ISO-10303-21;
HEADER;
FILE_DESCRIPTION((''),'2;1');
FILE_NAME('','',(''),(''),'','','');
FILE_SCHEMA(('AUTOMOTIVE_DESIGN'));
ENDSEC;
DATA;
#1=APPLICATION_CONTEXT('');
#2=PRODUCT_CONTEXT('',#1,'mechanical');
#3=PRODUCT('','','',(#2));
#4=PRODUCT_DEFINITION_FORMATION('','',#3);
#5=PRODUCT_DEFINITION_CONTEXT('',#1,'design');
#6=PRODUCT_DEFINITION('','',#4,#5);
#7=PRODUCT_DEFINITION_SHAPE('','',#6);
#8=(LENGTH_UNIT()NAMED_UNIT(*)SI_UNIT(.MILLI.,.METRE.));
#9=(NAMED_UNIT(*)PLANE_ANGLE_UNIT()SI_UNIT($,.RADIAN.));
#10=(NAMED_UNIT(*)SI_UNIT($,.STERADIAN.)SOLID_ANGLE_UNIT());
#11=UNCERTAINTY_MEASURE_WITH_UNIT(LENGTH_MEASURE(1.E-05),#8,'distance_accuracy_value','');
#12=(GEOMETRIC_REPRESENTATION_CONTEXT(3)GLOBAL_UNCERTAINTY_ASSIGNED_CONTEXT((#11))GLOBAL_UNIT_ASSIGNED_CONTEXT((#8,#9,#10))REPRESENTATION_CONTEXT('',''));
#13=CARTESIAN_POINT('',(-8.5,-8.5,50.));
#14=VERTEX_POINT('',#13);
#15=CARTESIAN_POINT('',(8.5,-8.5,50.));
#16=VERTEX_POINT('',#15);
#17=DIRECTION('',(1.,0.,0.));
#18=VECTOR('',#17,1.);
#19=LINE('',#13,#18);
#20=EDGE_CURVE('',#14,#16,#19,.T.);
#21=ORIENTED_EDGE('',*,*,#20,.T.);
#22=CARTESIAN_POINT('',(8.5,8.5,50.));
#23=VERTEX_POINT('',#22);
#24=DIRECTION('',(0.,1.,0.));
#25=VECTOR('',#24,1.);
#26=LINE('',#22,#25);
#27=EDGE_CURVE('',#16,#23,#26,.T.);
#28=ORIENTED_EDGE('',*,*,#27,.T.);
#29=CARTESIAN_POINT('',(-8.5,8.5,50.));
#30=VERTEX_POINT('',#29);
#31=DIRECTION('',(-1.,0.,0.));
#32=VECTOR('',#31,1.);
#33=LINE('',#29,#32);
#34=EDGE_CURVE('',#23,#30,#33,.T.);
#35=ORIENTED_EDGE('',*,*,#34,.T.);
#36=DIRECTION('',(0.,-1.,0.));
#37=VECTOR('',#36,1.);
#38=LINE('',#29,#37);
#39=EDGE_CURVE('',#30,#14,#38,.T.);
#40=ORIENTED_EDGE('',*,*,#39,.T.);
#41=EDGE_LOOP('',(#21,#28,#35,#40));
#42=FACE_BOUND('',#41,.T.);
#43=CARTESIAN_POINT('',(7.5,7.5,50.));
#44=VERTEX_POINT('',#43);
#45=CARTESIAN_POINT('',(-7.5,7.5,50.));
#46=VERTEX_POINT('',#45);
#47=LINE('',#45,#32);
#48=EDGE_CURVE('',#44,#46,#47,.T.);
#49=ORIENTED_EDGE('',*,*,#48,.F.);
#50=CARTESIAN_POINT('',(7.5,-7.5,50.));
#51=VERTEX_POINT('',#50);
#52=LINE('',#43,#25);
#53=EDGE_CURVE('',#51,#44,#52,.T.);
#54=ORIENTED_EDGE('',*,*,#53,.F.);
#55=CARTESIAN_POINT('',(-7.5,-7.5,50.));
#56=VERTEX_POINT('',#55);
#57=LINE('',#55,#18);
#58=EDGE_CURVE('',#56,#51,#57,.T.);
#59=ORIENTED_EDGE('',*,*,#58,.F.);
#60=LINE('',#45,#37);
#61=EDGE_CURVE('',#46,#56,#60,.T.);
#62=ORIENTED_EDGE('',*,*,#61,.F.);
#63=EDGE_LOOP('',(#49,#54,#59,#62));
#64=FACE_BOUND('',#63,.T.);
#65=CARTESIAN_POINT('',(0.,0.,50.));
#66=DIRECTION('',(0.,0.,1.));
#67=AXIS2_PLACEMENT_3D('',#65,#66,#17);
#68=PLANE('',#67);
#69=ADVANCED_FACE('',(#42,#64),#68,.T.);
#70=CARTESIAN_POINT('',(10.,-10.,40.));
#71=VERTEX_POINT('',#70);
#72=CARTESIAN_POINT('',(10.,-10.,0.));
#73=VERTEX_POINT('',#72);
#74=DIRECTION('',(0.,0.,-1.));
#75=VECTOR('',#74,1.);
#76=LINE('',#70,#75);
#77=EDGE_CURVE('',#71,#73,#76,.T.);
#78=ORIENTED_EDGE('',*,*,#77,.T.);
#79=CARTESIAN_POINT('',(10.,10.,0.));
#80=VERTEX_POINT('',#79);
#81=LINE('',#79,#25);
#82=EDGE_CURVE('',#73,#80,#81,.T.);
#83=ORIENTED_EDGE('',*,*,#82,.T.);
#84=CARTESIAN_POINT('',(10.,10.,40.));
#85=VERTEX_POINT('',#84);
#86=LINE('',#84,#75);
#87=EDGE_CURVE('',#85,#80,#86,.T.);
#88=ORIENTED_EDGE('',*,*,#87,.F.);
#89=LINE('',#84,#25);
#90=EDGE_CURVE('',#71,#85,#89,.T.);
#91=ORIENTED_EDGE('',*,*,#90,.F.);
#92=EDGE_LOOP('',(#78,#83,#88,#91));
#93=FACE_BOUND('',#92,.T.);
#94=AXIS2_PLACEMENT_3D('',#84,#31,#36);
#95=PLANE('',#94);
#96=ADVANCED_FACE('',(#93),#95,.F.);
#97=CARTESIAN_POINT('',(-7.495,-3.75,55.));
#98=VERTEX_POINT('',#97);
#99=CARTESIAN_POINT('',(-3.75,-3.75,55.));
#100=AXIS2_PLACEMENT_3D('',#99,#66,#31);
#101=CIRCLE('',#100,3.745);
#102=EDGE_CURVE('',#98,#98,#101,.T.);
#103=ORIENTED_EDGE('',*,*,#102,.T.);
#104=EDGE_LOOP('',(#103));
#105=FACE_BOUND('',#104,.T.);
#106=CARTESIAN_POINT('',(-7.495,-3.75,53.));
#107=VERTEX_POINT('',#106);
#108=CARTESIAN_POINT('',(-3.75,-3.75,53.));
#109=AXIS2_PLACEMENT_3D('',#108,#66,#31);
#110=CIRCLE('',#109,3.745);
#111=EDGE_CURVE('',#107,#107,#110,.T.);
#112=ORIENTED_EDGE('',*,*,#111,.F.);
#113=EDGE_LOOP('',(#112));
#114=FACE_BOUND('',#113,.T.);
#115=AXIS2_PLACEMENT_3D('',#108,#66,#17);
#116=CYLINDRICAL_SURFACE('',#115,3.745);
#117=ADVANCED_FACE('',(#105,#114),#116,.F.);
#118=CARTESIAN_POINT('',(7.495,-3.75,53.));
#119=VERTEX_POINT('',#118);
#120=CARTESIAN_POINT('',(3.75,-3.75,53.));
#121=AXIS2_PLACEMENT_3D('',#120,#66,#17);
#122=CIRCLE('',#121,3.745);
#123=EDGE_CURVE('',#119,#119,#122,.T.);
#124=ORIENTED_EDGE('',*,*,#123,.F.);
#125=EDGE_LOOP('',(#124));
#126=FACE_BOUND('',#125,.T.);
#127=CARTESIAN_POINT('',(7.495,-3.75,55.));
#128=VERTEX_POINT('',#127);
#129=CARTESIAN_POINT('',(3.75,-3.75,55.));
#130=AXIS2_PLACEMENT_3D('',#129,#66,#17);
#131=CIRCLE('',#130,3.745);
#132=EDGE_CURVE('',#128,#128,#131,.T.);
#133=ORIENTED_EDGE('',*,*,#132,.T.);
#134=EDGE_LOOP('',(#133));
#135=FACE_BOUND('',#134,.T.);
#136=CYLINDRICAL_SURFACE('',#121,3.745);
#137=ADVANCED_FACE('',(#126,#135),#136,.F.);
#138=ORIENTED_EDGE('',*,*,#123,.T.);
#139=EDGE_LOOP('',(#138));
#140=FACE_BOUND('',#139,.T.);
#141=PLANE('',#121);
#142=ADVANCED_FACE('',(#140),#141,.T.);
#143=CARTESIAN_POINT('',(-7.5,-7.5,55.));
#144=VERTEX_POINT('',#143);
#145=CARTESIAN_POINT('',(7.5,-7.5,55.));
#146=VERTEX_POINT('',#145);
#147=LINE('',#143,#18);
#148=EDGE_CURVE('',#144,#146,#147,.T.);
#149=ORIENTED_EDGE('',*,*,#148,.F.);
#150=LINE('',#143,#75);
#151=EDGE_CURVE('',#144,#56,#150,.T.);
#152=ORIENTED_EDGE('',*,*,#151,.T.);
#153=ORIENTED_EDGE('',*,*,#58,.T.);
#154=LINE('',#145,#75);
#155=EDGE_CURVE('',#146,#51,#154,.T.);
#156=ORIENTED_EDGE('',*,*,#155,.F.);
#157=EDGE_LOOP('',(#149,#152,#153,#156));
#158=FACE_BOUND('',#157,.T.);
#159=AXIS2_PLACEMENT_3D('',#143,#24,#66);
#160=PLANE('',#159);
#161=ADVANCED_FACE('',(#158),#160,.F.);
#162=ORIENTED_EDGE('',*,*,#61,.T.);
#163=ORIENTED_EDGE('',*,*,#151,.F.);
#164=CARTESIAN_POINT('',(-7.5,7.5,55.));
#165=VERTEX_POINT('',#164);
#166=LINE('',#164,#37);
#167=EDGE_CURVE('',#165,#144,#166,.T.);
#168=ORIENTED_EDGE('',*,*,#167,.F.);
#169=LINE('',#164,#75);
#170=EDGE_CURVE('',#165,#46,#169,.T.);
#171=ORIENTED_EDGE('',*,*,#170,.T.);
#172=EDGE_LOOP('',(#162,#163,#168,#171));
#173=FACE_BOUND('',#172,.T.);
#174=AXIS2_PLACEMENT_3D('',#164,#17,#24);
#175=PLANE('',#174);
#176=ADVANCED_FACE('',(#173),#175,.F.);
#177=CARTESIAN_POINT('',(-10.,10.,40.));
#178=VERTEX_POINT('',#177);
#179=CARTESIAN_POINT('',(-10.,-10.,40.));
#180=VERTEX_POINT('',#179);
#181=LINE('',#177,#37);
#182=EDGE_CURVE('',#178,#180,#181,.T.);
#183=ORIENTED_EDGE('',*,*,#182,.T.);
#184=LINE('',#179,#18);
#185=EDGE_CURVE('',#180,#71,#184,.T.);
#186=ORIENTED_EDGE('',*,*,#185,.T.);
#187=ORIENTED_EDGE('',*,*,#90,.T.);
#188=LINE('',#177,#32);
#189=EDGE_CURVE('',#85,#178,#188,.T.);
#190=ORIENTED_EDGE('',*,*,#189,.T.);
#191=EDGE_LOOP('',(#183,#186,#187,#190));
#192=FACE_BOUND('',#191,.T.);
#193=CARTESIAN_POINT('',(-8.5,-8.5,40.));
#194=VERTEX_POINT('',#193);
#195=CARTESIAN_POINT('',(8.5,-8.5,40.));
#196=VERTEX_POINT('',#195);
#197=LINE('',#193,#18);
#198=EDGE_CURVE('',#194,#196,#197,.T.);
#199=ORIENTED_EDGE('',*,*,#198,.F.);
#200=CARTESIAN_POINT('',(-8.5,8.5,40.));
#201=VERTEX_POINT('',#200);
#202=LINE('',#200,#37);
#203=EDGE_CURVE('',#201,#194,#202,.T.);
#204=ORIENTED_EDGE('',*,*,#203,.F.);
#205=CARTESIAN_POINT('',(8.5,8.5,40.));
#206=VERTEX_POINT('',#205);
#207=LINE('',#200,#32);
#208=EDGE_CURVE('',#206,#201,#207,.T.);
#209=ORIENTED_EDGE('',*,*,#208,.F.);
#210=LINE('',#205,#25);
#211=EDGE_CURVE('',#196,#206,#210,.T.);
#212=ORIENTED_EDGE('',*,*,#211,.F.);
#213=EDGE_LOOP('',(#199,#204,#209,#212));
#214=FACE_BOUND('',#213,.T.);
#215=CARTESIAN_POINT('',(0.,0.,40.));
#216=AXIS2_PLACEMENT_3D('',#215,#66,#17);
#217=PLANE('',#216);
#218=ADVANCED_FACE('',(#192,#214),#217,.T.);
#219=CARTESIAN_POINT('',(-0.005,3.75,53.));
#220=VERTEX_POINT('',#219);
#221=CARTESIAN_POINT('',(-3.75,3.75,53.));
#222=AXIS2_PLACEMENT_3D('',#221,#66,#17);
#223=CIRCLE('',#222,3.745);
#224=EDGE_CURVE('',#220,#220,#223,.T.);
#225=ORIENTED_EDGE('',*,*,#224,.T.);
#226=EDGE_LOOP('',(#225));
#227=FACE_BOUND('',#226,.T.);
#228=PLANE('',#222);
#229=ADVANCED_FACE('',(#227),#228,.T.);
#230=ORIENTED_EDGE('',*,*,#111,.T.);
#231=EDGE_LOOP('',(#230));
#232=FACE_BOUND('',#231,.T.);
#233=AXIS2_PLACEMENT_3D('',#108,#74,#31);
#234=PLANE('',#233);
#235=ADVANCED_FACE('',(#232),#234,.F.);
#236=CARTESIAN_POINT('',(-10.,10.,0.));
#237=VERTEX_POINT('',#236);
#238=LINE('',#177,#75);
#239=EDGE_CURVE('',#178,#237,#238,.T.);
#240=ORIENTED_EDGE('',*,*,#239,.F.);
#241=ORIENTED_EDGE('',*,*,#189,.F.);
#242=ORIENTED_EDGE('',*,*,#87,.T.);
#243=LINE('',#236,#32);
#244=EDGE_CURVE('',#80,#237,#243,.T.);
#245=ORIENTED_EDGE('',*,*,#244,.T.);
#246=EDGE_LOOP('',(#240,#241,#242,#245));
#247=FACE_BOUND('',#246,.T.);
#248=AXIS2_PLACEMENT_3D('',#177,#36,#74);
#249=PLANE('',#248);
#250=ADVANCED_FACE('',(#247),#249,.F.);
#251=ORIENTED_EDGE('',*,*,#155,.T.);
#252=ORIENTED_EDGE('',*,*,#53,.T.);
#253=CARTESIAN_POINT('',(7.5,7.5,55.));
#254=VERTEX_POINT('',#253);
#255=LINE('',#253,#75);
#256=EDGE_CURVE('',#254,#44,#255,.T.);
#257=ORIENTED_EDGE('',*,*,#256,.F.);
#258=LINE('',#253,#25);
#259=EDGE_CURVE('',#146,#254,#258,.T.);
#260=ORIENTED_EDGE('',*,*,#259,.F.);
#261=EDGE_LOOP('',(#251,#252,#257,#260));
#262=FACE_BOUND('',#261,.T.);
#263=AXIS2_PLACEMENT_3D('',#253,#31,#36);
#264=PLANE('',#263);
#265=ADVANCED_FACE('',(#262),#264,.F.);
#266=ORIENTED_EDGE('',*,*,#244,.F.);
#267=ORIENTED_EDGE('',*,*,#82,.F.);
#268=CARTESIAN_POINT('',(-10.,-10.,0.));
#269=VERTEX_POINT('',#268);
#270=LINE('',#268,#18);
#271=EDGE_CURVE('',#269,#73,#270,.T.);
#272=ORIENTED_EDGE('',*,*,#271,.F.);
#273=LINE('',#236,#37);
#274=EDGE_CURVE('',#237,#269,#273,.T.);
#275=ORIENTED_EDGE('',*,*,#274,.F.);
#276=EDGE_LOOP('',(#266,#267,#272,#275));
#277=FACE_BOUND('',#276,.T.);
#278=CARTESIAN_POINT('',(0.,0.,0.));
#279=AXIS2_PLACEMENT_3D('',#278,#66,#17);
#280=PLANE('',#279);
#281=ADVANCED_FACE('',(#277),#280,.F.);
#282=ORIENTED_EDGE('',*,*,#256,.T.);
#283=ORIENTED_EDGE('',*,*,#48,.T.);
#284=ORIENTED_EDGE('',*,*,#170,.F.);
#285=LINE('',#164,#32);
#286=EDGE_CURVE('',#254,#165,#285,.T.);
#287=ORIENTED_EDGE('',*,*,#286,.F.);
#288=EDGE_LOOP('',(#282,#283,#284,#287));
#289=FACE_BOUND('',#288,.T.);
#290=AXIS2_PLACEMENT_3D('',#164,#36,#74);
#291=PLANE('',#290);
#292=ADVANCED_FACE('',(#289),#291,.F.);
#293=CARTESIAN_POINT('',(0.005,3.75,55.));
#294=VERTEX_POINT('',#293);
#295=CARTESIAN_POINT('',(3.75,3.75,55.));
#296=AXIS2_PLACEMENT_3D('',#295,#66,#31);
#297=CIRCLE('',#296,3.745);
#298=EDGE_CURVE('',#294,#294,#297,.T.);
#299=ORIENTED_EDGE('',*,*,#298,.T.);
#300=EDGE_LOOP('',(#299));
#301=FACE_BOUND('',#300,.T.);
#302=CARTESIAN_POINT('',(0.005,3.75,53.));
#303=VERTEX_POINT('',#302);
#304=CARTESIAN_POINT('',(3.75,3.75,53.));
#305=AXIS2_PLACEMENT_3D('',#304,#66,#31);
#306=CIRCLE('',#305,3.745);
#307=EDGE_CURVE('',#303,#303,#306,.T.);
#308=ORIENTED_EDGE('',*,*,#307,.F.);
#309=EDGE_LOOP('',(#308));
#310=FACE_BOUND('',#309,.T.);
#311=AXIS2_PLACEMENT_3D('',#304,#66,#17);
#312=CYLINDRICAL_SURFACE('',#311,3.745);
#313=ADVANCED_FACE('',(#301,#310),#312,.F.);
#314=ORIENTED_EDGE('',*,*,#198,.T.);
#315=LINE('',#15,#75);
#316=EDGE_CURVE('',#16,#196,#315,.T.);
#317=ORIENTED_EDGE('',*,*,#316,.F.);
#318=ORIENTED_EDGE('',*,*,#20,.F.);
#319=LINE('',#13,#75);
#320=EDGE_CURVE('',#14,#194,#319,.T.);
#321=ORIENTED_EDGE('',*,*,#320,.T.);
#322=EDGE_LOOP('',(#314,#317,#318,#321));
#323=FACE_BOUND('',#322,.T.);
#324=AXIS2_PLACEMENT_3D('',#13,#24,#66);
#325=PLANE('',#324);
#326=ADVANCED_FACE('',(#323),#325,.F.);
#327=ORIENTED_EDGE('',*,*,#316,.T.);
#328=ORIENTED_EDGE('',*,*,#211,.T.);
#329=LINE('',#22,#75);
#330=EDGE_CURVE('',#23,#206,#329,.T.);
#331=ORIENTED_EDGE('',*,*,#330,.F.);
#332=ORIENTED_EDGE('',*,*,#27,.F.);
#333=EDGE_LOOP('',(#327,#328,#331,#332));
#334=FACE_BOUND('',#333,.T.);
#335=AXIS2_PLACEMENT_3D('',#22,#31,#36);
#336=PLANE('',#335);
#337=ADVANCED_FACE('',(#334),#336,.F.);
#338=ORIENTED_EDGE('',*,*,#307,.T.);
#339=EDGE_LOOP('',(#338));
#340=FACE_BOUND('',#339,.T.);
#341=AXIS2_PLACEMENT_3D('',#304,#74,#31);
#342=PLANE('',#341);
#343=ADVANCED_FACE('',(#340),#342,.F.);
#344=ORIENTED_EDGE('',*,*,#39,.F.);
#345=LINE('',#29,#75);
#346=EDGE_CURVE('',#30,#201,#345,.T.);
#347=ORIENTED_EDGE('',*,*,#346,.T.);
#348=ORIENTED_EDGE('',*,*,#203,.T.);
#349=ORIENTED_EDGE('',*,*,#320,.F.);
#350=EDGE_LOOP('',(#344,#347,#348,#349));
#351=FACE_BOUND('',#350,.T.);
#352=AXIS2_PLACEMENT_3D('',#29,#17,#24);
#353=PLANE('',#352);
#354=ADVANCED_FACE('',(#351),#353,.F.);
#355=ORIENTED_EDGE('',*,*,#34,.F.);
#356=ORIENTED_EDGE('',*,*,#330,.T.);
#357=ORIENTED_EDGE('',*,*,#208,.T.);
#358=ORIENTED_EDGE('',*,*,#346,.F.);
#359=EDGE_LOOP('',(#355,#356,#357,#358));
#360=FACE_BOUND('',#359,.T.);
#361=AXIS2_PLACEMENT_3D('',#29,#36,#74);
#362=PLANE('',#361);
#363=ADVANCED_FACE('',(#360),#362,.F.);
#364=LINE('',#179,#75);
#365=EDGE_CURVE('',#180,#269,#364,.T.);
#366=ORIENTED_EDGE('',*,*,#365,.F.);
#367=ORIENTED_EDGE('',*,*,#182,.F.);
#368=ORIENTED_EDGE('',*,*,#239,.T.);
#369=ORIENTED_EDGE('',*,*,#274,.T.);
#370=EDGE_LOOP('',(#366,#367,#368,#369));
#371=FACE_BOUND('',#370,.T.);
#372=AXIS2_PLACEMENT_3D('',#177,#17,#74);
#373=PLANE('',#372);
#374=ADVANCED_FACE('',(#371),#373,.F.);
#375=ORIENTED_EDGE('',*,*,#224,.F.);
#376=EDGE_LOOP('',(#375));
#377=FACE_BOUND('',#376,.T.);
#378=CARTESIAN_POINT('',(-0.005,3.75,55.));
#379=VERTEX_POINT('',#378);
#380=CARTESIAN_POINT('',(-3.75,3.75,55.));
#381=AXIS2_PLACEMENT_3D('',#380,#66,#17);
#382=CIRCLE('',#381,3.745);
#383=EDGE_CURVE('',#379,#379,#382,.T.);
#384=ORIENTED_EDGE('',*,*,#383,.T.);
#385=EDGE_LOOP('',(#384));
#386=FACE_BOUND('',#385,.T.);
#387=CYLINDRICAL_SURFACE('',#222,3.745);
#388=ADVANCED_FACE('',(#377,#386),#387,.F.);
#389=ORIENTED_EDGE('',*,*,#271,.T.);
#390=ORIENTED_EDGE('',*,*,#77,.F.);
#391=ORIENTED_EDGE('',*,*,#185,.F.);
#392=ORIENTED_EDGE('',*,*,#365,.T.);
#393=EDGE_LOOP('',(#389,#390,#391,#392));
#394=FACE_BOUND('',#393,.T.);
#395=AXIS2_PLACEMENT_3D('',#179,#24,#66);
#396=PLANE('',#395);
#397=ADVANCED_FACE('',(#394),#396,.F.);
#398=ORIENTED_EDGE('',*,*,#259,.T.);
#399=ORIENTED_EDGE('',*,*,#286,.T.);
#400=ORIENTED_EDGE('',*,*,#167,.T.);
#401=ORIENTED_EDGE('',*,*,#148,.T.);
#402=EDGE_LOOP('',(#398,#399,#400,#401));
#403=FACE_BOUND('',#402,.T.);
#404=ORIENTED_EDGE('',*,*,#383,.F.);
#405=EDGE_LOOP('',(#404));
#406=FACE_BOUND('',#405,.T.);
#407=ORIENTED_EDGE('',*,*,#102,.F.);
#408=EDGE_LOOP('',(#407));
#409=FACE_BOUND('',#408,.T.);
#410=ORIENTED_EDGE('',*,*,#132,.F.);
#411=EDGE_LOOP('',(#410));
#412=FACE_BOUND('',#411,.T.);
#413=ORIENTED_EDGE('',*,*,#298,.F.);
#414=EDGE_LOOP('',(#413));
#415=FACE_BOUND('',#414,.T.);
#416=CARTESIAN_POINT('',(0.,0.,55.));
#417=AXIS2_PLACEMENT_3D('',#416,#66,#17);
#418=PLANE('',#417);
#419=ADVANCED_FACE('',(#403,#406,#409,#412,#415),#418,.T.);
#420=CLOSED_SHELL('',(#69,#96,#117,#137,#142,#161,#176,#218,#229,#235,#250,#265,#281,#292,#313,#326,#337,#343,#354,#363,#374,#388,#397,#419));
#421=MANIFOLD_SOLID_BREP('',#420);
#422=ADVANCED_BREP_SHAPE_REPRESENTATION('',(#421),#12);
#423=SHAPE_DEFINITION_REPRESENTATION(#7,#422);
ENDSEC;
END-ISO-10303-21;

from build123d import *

# Parameters (mm, degrees)
SKETCH_1_W          = 20
SKETCH_1_H          = 20
EXTRUDE_1_DEPTH     = 40
SKETCH_2_W          = 17
SKETCH_2_H          = 17
EXTRUDE_2_DEPTH     = 10
SKETCH_3_W          = 15
SKETCH_3_H          = 15
EXTRUDE_3_DEPTH     = 5
SKETCH_4_R          = 3.745
CUT_EXTRUDE_1_DEPTH = 2


with BuildPart() as part:
    # ｽｹｯﾁ1 → ﾎﾞｽ - 押し出し1 (new body)
    with BuildSketch(Plane.XY):
        Rectangle(SKETCH_1_W, SKETCH_1_H)
    extrude(amount=EXTRUDE_1_DEPTH)

    # ｽｹｯﾁ2 → ﾎﾞｽ - 押し出し2 (add)
    with BuildSketch(Plane.XY.offset(40)):
        Rectangle(SKETCH_2_W, SKETCH_2_H)
    extrude(amount=EXTRUDE_2_DEPTH)

    # ｽｹｯﾁ3 → ﾎﾞｽ - 押し出し3 (add)
    with BuildSketch(Plane.XY.offset(50)):
        Rectangle(SKETCH_3_W, SKETCH_3_H)
    extrude(amount=EXTRUDE_3_DEPTH)

    # ｽｹｯﾁ4 → ｶｯﾄ - 押し出し1 (cut)
    with BuildSketch(Plane.XY.offset(55)):
        with Locations((-3.75, 3.75)):
            Circle(SKETCH_4_R)
        with Locations(Location((3.75, 3.75, 0), (0, 0, 180))):
            Circle(SKETCH_4_R)
        with Locations((3.75, -3.75)):
            Circle(SKETCH_4_R)
        with Locations(Location((-3.75, -3.75, 0), (0, 0, 180))):
            Circle(SKETCH_4_R)
    extrude(amount=-CUT_EXTRUDE_1_DEPTH, mode=Mode.SUBTRACT)


solid = part.part
